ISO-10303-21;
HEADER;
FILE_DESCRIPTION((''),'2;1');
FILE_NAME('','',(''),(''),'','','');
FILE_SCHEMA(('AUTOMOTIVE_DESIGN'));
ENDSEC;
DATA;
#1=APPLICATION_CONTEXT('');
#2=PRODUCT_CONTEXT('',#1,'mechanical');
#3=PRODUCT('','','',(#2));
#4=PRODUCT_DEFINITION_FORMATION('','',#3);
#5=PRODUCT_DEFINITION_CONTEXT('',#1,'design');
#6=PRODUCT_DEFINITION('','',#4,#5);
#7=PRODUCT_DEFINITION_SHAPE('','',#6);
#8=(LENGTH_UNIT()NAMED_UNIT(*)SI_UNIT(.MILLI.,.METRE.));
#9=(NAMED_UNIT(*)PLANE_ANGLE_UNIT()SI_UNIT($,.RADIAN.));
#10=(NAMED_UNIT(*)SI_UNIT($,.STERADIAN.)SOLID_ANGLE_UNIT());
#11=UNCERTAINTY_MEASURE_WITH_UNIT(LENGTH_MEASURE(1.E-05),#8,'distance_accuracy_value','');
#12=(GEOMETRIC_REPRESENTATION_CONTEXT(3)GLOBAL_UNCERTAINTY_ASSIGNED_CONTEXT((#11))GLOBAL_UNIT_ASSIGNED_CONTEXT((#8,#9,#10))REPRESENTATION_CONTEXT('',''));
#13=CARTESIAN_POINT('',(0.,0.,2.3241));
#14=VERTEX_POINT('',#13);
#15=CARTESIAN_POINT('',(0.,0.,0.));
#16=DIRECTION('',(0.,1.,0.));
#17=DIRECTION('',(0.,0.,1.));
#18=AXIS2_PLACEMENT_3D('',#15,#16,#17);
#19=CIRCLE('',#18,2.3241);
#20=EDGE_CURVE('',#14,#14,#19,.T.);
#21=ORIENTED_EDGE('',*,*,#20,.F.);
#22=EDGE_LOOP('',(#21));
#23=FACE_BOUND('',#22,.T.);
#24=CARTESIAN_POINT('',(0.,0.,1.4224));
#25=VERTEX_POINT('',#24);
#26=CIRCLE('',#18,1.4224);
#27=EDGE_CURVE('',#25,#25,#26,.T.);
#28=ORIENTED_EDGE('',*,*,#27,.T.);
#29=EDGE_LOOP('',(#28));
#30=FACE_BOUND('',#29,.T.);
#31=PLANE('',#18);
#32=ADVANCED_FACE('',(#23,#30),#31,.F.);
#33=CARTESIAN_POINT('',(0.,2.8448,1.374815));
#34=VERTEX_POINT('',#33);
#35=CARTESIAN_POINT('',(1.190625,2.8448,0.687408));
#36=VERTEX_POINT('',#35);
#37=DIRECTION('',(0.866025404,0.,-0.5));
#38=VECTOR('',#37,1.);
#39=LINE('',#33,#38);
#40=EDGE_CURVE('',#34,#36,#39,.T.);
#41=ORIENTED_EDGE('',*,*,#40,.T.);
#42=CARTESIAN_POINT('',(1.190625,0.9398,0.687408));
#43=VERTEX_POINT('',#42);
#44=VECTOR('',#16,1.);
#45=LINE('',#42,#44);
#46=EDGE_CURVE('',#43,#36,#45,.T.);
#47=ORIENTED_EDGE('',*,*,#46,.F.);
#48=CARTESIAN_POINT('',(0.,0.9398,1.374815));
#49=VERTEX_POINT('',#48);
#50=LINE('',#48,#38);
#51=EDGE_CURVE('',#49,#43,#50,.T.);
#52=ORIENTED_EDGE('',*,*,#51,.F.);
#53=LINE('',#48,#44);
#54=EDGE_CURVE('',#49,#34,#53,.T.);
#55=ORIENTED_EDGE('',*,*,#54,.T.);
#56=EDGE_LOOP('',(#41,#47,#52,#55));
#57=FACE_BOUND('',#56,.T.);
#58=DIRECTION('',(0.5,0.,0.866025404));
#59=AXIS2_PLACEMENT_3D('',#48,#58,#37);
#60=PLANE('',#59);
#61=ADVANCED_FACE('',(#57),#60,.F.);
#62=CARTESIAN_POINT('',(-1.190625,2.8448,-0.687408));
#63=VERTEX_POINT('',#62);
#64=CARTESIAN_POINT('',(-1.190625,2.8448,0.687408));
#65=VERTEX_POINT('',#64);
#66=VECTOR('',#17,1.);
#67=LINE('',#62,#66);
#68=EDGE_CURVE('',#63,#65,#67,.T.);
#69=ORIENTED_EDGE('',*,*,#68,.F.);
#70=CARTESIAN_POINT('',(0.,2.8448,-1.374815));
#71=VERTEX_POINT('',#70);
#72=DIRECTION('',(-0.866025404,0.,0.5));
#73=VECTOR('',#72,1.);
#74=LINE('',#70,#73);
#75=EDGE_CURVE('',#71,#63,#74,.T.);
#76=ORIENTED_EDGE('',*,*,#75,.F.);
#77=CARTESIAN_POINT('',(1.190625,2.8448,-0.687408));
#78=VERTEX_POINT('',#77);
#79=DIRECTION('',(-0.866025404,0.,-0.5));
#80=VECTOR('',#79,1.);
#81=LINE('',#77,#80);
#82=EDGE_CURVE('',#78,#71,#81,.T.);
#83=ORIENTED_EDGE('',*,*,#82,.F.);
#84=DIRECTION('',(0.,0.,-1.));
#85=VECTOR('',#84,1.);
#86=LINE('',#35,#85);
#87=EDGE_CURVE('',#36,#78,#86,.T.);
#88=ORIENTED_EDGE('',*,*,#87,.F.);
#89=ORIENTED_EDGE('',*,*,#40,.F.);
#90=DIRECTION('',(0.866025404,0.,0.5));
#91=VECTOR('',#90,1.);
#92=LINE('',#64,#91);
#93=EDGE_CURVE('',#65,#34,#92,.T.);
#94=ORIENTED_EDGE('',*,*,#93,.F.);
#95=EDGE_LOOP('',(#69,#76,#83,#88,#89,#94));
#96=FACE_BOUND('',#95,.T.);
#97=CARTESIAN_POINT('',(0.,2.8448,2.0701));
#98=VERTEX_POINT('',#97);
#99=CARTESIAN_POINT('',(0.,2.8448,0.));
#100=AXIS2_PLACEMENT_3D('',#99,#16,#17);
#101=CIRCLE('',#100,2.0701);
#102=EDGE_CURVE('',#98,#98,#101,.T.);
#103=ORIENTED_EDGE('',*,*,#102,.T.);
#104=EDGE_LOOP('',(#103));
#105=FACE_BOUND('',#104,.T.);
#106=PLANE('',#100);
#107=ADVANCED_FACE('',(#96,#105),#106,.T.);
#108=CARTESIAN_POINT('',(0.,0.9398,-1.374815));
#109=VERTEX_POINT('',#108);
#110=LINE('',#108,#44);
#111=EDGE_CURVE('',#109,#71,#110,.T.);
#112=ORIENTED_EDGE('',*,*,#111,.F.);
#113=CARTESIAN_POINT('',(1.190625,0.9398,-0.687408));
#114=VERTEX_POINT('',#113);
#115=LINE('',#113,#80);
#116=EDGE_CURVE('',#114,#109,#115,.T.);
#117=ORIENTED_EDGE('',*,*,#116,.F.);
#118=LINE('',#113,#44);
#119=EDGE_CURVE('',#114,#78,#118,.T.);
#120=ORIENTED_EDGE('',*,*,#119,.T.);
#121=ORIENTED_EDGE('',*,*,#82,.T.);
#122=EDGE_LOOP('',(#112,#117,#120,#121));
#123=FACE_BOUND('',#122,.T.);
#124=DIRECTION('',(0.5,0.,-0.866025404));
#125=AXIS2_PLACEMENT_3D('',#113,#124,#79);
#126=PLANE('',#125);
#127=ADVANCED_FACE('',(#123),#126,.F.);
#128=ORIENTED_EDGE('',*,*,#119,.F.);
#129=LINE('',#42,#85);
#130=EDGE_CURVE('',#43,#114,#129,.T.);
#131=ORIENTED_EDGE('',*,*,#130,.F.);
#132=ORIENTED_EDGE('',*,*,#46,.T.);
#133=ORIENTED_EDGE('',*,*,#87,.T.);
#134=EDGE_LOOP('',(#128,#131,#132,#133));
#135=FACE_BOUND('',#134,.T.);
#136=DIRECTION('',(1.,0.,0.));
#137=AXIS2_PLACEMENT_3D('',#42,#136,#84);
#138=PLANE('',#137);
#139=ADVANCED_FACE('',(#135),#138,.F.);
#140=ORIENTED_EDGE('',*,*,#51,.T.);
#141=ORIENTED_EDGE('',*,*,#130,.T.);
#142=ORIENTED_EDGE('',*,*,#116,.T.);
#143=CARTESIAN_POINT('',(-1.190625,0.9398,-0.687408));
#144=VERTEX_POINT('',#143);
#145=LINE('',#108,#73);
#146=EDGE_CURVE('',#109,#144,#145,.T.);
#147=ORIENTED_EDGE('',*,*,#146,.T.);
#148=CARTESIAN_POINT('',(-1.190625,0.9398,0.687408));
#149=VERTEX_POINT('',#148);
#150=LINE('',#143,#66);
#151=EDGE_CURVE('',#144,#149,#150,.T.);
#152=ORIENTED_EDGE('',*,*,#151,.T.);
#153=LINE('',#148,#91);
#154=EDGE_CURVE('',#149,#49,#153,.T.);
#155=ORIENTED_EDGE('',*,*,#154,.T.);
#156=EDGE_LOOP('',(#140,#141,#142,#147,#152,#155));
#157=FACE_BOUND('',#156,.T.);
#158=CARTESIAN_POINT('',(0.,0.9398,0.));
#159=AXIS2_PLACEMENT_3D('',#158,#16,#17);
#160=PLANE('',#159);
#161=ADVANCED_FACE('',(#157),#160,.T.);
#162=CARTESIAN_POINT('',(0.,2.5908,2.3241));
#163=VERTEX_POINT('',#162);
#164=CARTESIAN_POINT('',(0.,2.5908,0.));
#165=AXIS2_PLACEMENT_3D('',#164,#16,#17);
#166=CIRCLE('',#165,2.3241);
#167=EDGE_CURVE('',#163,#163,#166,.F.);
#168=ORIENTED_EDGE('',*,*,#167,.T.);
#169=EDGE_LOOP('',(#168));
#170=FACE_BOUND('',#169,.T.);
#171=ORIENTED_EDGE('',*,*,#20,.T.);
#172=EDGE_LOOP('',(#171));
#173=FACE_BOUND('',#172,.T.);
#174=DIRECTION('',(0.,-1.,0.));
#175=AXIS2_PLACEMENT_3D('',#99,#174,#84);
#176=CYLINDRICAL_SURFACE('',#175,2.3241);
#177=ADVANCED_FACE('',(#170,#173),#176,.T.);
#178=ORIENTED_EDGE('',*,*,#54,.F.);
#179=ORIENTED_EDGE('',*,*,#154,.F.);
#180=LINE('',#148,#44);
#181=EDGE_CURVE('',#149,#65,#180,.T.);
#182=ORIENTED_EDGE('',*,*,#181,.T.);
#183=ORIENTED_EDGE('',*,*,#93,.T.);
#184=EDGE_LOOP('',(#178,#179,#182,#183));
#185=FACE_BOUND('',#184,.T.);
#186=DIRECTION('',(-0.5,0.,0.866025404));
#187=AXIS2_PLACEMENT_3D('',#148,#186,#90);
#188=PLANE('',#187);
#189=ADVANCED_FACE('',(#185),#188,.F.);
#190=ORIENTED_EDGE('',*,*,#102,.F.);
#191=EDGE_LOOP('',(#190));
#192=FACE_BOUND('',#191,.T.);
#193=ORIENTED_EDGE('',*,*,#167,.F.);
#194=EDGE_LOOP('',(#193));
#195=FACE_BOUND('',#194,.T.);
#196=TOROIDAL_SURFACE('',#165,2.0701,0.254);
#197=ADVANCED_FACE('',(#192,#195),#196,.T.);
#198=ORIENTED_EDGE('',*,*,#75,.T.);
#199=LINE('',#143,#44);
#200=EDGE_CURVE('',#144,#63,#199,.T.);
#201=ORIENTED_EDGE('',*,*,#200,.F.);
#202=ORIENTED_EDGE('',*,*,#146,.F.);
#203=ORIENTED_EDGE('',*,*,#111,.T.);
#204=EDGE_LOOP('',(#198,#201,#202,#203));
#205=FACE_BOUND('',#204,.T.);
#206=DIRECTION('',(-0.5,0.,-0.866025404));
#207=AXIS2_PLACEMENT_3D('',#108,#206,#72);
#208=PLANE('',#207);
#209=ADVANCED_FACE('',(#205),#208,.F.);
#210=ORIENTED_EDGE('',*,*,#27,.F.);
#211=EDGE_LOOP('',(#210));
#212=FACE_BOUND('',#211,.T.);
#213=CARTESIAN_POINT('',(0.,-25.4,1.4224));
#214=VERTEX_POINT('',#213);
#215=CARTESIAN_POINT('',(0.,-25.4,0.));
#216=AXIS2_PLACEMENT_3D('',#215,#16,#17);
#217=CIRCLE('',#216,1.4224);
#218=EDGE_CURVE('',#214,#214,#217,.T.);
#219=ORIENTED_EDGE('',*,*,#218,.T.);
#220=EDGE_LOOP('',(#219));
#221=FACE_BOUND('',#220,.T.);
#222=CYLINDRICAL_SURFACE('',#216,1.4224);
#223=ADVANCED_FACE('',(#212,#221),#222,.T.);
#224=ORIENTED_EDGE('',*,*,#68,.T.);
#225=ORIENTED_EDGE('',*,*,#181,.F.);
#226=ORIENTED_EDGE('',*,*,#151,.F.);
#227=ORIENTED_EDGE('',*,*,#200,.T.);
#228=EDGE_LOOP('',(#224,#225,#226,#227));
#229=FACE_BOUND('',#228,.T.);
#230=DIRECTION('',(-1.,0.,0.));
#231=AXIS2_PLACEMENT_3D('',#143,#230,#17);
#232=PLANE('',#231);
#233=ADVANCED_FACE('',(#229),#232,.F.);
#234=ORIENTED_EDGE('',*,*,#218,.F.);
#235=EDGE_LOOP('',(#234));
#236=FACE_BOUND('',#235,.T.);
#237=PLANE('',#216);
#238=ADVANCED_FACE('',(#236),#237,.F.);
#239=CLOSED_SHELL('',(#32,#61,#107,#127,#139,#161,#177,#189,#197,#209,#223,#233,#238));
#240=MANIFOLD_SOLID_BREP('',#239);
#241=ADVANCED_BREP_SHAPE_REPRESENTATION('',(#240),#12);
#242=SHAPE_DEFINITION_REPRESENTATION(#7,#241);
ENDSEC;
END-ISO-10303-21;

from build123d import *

# Parameters (mm, degrees)
SKETCH1_R   = 1.4224
SHAFT_DEPTH = 25.4
SKETCH2_R   = 2.3241
HEAD_DEPTH  = 2.8448
FILLET1_R   = 0.254
HEX_2_DEPTH = 1.905


with BuildPart() as part:
    # Sketch1 → Shaft (new body)
    with BuildSketch(Plane(origin=(0, 0, 0), x_dir=(1, 0, 0), z_dir=(0, 1, 0))):
        with Locations(Location((0, 0, 0), (0, 0, 270))):
            Circle(SKETCH1_R)
    extrude(amount=-SHAFT_DEPTH)

    # Sketch2 → Head (add)
    with BuildSketch(Plane(origin=(0, 0, 0), x_dir=(1, 0, 0), z_dir=(0, 1, 0))):
        with Locations(Location((0, 0, 0), (0, 0, 270))):
            Circle(SKETCH2_R)
    extrude(amount=HEAD_DEPTH)

    # Fillet1
    fillet1_edges = [part.edges().sort_by_distance(p)[0] for p in [
        (0, 2.8448, -2.3241),
    ]]
    fillet(fillet1_edges, radius=FILLET1_R)

    # Sketch3 → Hex 2 (cut)
    with BuildSketch(Plane(origin=(0, 2.8448, 0), x_dir=(1, 0, 0), z_dir=(0, 1, 0))):
        Polygon((0, 1.374815329), (-1.190625, 0.687407664), (-1.190625, -0.687407664), (0, -1.374815329), (1.190625, -0.687407664), (1.190625, 0.687407664), align=None)
    extrude(amount=-HEX_2_DEPTH, mode=Mode.SUBTRACT)


solid = part.part
